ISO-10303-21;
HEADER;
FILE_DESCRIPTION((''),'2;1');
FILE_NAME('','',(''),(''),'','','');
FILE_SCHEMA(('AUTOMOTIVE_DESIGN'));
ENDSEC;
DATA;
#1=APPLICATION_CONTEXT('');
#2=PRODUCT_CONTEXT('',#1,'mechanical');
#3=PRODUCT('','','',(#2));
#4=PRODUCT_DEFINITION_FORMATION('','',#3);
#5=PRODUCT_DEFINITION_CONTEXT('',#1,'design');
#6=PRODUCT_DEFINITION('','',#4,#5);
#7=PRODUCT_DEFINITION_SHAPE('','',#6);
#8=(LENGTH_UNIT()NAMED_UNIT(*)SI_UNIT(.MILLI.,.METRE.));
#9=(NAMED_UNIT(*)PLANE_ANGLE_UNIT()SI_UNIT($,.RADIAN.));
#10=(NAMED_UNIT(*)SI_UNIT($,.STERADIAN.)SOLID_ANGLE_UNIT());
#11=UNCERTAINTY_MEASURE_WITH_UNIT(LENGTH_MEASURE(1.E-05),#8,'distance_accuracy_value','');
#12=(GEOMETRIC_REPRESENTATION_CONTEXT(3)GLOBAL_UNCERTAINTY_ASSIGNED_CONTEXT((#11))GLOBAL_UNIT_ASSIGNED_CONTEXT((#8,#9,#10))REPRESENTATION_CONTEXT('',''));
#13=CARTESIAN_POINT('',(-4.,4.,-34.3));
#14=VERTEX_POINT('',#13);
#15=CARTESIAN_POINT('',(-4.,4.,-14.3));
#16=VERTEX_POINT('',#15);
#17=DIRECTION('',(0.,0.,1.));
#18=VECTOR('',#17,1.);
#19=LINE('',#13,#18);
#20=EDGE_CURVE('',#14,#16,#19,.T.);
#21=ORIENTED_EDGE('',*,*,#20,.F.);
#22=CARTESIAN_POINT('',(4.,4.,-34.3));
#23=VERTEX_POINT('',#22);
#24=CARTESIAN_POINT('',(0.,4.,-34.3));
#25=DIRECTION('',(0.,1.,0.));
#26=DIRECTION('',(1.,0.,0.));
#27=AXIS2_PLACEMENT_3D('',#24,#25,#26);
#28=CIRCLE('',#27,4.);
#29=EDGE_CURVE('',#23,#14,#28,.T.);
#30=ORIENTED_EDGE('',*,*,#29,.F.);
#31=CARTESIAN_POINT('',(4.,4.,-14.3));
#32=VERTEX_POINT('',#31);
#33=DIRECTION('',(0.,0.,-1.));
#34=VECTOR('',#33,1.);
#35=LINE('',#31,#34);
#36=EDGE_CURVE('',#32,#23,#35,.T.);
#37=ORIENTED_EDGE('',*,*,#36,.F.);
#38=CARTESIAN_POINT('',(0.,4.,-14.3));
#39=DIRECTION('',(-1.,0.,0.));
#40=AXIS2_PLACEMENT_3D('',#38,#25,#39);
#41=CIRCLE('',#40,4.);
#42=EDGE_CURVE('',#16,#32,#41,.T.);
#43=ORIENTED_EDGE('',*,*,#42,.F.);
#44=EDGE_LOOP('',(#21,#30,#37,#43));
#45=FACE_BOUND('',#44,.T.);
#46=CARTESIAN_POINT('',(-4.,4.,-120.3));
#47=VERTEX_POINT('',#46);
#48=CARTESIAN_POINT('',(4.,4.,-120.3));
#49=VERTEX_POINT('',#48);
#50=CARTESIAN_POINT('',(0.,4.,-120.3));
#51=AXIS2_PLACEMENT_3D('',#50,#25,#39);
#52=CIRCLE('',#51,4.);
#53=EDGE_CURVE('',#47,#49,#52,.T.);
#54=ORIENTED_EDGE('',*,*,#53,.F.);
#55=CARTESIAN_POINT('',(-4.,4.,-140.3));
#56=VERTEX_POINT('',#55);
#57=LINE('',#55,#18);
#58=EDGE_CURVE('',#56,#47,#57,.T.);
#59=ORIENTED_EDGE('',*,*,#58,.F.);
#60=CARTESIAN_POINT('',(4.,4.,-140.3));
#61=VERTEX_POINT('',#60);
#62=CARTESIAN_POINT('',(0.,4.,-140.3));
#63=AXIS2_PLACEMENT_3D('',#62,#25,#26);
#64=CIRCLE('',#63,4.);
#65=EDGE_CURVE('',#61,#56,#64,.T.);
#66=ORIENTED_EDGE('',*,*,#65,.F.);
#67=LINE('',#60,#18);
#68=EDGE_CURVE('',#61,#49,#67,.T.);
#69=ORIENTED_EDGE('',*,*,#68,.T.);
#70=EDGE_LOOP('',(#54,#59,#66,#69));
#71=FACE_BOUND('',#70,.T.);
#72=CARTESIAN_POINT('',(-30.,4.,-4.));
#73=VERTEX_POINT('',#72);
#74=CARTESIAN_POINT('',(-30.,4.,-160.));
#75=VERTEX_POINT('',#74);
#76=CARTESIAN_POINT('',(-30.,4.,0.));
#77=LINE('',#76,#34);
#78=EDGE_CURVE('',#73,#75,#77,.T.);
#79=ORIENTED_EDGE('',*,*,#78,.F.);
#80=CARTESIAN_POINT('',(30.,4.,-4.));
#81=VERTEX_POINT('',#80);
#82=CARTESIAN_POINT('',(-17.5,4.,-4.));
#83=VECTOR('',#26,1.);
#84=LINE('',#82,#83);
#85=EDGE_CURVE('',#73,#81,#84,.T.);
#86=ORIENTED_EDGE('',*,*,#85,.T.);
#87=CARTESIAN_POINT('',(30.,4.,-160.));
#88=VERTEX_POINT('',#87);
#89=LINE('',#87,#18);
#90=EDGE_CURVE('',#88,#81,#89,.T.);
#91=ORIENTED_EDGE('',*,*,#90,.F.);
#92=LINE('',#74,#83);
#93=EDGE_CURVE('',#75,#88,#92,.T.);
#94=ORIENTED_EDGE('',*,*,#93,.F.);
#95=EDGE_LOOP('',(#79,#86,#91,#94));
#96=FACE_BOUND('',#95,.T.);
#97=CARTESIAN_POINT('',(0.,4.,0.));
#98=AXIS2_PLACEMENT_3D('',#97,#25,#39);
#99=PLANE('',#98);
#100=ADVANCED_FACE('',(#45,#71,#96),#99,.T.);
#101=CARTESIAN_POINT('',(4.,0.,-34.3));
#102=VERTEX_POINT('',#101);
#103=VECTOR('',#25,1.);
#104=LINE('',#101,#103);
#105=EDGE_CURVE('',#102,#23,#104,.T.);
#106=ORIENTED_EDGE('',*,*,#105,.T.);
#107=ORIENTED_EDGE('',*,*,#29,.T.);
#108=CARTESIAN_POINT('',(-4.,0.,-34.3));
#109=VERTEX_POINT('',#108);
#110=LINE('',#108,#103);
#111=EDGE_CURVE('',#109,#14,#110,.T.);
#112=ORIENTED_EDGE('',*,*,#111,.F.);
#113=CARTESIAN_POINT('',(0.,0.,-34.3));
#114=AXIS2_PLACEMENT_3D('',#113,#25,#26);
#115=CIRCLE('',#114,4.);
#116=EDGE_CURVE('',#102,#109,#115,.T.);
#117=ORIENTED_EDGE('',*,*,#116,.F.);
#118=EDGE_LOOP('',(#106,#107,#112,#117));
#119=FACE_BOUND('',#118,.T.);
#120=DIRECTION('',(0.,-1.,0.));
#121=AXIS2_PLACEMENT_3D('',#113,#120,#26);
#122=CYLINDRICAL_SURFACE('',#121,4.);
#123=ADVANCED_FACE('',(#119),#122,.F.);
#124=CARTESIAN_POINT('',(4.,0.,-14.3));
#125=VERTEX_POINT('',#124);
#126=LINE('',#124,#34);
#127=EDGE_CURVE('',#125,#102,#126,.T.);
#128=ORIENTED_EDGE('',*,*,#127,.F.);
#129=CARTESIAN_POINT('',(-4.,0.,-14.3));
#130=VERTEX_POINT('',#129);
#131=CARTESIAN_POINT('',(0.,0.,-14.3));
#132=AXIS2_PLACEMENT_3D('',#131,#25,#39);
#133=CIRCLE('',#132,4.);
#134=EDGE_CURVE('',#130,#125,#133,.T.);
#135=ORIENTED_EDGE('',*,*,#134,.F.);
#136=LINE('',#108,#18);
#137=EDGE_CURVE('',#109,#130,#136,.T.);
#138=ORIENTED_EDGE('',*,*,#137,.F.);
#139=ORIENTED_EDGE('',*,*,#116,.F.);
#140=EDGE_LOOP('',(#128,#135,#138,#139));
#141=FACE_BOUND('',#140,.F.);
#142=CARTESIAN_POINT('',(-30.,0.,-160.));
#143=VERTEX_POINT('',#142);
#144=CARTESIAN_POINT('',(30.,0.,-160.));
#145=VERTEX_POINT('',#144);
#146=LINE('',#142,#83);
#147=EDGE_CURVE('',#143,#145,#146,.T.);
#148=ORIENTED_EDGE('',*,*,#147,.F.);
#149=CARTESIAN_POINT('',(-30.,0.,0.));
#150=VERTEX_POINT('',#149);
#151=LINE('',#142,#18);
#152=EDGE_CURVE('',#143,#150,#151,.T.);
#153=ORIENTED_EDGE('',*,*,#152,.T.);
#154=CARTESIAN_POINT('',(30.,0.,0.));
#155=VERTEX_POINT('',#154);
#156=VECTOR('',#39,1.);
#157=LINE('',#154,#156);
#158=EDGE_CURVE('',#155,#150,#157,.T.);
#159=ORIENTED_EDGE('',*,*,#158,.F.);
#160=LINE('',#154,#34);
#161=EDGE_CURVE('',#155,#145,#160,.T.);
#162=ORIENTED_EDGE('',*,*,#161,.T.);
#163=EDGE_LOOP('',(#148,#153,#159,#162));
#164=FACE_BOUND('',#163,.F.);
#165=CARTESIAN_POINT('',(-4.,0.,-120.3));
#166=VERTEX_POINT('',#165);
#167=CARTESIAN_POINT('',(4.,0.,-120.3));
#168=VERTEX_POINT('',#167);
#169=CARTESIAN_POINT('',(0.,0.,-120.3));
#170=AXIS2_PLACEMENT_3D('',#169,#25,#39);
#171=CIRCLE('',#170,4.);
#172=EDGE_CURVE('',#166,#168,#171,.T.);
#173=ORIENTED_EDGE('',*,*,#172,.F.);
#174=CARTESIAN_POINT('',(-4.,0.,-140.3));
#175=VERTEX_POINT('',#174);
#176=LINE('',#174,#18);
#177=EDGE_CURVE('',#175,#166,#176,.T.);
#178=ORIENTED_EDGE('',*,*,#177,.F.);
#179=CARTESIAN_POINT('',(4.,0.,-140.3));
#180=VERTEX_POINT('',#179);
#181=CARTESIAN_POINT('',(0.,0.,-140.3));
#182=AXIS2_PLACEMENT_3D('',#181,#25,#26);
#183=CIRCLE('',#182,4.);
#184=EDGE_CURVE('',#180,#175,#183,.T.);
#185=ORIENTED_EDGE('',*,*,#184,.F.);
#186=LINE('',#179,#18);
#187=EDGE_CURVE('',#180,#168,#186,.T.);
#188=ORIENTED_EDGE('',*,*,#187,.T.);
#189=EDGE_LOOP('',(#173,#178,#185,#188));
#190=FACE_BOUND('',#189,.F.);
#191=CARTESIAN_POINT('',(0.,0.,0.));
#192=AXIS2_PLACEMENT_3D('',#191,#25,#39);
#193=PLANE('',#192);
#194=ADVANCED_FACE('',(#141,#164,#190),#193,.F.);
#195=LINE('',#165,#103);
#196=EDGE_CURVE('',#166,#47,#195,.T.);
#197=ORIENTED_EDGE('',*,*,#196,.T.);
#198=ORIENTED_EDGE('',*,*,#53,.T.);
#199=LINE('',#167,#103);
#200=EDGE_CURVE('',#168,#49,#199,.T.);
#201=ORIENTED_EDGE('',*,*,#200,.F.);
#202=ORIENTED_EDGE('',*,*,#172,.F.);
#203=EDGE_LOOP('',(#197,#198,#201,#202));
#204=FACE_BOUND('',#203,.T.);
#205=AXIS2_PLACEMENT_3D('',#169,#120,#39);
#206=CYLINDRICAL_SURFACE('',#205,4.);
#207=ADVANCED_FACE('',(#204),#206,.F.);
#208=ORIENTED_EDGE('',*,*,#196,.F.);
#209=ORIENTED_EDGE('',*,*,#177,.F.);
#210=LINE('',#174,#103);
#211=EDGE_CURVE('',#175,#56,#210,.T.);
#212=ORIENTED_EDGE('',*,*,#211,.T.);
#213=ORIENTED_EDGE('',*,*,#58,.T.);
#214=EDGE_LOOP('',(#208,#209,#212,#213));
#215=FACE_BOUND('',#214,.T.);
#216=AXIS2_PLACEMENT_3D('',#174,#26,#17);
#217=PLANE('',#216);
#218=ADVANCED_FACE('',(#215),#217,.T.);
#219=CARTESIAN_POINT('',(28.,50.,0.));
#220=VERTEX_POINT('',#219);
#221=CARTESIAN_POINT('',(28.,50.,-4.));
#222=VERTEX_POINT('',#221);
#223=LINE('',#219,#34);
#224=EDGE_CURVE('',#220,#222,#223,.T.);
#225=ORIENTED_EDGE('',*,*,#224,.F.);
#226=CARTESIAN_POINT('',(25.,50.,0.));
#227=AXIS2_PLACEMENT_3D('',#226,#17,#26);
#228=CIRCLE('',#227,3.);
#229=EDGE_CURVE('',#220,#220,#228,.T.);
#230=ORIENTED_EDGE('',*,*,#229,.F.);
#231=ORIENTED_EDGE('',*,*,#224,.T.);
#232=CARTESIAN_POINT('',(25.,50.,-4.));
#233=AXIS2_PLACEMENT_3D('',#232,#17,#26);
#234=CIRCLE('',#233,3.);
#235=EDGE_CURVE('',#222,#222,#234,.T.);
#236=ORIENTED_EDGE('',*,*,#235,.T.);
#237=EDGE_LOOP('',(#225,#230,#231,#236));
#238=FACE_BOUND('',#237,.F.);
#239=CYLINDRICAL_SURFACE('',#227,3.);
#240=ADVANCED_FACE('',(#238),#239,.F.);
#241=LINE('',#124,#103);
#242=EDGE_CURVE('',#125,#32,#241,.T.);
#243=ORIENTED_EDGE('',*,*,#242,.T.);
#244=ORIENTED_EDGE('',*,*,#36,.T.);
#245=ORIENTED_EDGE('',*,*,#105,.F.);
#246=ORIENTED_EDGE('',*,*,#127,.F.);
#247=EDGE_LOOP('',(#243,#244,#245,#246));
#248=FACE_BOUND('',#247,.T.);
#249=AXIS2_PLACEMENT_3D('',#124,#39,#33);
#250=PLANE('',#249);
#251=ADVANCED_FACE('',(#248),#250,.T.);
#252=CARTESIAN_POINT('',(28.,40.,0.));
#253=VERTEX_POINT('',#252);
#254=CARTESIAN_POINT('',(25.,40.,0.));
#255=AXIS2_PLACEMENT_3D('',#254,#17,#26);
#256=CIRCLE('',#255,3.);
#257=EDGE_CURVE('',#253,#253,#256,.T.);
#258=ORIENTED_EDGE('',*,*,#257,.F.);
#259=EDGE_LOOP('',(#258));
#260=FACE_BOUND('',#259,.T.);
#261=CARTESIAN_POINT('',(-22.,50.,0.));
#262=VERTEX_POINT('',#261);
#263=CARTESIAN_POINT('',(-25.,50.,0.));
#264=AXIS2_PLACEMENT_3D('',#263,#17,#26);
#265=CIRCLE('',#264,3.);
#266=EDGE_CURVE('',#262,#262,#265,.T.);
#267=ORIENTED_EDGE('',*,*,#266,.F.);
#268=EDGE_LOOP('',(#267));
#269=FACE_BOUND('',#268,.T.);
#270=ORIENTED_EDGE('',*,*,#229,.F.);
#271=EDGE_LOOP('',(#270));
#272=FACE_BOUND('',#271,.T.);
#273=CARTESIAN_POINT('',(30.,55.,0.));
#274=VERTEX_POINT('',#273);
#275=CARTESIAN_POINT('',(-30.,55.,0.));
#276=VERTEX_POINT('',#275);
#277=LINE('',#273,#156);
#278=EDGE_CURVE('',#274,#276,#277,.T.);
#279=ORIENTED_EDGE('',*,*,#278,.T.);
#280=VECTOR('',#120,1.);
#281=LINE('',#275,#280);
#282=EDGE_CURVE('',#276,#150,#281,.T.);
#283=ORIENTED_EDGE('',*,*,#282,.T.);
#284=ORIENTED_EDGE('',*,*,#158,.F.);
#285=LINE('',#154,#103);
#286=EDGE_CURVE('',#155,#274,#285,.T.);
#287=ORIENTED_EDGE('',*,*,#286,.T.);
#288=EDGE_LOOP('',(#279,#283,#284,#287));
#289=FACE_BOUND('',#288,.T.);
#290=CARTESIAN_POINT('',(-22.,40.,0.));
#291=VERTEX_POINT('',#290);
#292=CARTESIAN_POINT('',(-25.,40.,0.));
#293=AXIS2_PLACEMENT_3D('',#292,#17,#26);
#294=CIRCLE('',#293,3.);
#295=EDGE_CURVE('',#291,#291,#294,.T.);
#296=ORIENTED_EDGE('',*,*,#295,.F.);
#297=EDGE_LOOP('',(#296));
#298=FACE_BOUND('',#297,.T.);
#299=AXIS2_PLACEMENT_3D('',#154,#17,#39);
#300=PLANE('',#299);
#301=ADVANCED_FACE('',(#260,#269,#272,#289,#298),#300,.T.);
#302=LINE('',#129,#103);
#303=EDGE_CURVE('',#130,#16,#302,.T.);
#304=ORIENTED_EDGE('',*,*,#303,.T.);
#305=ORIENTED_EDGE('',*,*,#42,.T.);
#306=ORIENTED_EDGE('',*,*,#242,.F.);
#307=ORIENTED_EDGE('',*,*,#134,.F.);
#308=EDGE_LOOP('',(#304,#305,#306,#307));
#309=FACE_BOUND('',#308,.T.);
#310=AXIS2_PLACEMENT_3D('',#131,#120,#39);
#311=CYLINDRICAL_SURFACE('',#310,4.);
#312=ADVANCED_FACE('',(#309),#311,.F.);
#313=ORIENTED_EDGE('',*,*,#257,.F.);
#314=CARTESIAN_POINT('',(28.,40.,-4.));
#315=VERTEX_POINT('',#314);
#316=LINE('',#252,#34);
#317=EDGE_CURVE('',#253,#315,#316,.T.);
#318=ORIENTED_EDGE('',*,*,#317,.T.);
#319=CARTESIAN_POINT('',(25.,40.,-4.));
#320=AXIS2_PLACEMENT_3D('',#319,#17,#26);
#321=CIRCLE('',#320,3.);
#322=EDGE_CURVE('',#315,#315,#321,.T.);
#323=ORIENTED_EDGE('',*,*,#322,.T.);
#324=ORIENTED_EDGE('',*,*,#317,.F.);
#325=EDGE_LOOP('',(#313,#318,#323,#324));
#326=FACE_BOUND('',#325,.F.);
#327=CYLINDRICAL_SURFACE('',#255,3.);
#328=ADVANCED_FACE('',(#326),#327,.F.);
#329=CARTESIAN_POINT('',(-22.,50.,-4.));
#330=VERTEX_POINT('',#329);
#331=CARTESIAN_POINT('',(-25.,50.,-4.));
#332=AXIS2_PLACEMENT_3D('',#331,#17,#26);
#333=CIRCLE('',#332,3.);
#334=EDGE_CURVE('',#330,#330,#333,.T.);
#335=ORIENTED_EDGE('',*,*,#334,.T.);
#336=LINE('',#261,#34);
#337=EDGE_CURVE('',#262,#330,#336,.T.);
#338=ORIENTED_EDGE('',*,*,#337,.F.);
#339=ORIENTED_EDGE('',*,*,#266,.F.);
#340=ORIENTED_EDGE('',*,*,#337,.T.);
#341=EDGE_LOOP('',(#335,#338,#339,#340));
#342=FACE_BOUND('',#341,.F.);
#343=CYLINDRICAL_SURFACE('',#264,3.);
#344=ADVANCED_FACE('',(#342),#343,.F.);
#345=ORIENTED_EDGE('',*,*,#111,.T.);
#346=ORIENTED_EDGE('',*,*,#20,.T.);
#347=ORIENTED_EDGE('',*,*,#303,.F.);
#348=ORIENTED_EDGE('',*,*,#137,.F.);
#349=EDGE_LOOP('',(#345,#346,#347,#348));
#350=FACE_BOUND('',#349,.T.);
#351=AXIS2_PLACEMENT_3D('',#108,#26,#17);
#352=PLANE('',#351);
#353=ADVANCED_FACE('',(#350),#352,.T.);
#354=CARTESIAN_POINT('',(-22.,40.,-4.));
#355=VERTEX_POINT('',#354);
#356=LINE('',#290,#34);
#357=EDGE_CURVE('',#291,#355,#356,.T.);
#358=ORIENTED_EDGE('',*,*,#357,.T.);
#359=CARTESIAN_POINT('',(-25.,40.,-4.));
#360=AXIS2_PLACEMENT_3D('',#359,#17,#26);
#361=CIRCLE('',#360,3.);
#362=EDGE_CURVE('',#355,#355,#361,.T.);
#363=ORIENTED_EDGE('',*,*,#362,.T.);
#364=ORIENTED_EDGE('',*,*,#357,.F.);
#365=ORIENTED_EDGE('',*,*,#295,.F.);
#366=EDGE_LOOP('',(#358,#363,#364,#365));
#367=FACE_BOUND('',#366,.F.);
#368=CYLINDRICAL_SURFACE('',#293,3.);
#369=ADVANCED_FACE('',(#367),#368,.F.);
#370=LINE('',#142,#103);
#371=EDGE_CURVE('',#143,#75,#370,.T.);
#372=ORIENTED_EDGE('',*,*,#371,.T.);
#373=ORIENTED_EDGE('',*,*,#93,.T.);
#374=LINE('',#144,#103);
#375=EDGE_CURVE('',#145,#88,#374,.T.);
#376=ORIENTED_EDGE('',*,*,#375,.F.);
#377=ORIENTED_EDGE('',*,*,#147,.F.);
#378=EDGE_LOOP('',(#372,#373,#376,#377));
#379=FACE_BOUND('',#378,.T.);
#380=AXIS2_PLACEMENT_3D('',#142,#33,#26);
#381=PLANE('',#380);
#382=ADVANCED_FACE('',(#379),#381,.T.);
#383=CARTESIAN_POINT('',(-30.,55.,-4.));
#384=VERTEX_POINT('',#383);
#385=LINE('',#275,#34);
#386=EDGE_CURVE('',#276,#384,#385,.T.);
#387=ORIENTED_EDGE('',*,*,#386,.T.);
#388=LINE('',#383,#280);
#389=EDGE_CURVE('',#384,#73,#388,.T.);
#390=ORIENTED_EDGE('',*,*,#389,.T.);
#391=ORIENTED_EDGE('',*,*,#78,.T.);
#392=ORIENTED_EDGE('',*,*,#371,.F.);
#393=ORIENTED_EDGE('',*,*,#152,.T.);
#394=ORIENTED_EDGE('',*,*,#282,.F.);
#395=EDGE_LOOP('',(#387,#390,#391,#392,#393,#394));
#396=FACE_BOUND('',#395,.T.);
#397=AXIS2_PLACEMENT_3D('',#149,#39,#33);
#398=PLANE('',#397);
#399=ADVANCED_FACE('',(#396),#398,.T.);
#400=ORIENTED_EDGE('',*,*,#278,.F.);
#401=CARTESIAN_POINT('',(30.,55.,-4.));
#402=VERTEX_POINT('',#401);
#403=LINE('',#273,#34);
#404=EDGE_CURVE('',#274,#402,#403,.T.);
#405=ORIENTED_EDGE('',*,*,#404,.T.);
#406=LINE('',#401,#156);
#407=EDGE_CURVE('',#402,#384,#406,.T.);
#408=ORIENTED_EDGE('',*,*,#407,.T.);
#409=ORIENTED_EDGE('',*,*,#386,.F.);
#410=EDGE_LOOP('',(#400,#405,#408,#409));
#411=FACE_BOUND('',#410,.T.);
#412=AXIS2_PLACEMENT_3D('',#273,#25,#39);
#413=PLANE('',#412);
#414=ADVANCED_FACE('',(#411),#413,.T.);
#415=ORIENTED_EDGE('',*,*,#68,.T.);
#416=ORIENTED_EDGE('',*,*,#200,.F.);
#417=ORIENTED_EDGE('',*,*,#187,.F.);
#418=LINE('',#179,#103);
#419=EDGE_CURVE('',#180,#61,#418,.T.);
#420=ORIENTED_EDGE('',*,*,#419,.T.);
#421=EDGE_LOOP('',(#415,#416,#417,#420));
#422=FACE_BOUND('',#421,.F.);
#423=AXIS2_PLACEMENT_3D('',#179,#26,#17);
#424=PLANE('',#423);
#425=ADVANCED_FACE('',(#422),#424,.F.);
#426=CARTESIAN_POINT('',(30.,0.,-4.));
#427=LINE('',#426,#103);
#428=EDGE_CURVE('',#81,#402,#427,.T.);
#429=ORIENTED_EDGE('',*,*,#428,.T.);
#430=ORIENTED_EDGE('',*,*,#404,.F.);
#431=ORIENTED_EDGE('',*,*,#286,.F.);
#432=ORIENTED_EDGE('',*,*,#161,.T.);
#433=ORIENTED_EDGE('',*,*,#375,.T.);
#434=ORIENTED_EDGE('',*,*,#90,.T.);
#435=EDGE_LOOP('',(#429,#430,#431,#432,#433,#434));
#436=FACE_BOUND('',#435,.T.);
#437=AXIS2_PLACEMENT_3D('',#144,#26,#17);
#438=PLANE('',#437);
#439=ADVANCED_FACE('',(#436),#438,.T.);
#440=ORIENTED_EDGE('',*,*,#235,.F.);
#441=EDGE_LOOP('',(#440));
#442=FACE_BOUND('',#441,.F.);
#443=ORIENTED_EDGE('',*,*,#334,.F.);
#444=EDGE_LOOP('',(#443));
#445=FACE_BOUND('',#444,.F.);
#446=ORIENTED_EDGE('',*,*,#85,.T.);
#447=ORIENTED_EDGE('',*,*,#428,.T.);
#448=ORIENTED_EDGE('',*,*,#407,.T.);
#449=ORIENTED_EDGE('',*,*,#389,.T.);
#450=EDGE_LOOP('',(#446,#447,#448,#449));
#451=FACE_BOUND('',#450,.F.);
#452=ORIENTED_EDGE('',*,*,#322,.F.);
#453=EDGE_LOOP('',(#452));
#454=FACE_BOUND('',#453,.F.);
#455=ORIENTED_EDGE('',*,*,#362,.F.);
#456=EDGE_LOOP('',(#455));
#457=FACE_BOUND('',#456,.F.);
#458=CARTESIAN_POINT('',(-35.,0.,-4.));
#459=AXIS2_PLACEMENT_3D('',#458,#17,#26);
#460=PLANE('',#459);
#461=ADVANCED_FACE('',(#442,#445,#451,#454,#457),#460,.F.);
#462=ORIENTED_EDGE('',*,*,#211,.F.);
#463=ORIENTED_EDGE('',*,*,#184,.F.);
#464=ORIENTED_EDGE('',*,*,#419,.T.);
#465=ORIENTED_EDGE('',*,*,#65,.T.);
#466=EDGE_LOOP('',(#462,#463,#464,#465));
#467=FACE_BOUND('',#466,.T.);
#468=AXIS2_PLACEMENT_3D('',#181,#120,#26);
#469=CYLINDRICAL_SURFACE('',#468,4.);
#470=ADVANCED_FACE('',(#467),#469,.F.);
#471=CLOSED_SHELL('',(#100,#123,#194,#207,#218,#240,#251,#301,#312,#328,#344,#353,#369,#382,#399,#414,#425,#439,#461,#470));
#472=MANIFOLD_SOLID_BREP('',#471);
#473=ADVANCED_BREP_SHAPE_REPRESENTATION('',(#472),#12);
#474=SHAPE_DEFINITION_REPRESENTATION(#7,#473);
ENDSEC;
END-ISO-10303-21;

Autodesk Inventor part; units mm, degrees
ref_plane "YZ Plane" through (0, 0, 0) normal (1, 0, 0) x (0, 1, 0)
ref_plane "XZ Plane" through (0, 0, 0) normal (0, 1, 0) x (-1, 0, 0)
sketch "Sketch21" plane through (0, 0, 0) normal (0, 1, 0) x (-1, 0, 0)
  line L0 (4, -34.3) -> (4, -14.3)
  line L1 (-4, -14.3) -> (-4, -34.3)
  arc A0 (-4, -34.3) -> (4, -34.3) centre (0, -34.3) ccw
  arc A1 (4, -14.3) -> (-4, -14.3) centre (0, -14.3) ccw
  arc A2 (-4, -140.3) -> (4, -140.3) centre (0, -140.3) ccw
  line L2 (-4, -140.3) -> (-4, -120.3)
  arc A3 (4, -120.3) -> (-4, -120.3) centre (0, -120.3) ccw
  line L3 (4, -140.3) -> (4, -120.3)
  line L4 (0, -14.3) -> (59.397, -14.3) construction
  line L5 (0, -14.3) -> (69.2965, -14.3) construction
  line L6 (-30, 0) -> (30, 0)
  line L7 (30, 0) -> (30, -160)
  line L8 (30, -160) -> (-30, -160)
  line L9 (-30, -160) -> (-30, 0)
  point P0 (0, 0)
  dimension "d114" = 8
  dimension "d115" = 20
  dimension "d116" = 8
  dimension "d118" = 20
  dimension "d146" = 60
ref_plane "Work Plane7" through (-35, 0, 0) normal (0, 0, 1) x (1, 0, 0)
sketch "Sketch22" plane through (-35, 0, 0) normal (0, 0, 1) x (1, 0, 0)
  circle A0 centre (10, 40) radius 3
  circle A1 centre (60, 40) radius 3
  line L0 (65, 55) -> (5, 55)
  line L1 (5, 55) -> (5, 0)
  line L2 (5, 0) -> (65, 0)
  line L3 (65, 0) -> (65, 55)
  circle A2 centre (60, 50) radius 3
  circle A3 centre (10, 50) radius 3
  point P0 (35, 0)
  point P1 (0, 0)
  dimension "d121" = 6
  dimension "d122" = 6
  dimension "d151" = 6
  dimension "d152" = 6
extrude "Extrusion13" add sketch "Sketch21" along normal blind 4
extrude "Extrusion15" add sketch "Sketch22" against normal blind 4
sketch "Sketch24" plane through (0, 4, 0) normal (0, 1, 0) x (1, 0, 0)
  line L0 (4, 120.3) -> (4, 140.3) projected
  line L1 (4, 130.3) -> (-4, 130.3)
  line L2 (-4, 140.3) -> (-4, 120.3) projected
  line L3 (4, 14.3) -> (4, 34.3) projected
  line L4 (4, 24.3) -> (-4, 24.3)
  line L5 (-4, 34.3) -> (-4, 14.3) projected
  circle A0 centre (0, 130.3) radius 4
  circle A1 centre (0, 24.3) radius 4
  point P0 (0, 0)
properties part number "Spoj stolu a kolejnice" material "Steel, Cast"
